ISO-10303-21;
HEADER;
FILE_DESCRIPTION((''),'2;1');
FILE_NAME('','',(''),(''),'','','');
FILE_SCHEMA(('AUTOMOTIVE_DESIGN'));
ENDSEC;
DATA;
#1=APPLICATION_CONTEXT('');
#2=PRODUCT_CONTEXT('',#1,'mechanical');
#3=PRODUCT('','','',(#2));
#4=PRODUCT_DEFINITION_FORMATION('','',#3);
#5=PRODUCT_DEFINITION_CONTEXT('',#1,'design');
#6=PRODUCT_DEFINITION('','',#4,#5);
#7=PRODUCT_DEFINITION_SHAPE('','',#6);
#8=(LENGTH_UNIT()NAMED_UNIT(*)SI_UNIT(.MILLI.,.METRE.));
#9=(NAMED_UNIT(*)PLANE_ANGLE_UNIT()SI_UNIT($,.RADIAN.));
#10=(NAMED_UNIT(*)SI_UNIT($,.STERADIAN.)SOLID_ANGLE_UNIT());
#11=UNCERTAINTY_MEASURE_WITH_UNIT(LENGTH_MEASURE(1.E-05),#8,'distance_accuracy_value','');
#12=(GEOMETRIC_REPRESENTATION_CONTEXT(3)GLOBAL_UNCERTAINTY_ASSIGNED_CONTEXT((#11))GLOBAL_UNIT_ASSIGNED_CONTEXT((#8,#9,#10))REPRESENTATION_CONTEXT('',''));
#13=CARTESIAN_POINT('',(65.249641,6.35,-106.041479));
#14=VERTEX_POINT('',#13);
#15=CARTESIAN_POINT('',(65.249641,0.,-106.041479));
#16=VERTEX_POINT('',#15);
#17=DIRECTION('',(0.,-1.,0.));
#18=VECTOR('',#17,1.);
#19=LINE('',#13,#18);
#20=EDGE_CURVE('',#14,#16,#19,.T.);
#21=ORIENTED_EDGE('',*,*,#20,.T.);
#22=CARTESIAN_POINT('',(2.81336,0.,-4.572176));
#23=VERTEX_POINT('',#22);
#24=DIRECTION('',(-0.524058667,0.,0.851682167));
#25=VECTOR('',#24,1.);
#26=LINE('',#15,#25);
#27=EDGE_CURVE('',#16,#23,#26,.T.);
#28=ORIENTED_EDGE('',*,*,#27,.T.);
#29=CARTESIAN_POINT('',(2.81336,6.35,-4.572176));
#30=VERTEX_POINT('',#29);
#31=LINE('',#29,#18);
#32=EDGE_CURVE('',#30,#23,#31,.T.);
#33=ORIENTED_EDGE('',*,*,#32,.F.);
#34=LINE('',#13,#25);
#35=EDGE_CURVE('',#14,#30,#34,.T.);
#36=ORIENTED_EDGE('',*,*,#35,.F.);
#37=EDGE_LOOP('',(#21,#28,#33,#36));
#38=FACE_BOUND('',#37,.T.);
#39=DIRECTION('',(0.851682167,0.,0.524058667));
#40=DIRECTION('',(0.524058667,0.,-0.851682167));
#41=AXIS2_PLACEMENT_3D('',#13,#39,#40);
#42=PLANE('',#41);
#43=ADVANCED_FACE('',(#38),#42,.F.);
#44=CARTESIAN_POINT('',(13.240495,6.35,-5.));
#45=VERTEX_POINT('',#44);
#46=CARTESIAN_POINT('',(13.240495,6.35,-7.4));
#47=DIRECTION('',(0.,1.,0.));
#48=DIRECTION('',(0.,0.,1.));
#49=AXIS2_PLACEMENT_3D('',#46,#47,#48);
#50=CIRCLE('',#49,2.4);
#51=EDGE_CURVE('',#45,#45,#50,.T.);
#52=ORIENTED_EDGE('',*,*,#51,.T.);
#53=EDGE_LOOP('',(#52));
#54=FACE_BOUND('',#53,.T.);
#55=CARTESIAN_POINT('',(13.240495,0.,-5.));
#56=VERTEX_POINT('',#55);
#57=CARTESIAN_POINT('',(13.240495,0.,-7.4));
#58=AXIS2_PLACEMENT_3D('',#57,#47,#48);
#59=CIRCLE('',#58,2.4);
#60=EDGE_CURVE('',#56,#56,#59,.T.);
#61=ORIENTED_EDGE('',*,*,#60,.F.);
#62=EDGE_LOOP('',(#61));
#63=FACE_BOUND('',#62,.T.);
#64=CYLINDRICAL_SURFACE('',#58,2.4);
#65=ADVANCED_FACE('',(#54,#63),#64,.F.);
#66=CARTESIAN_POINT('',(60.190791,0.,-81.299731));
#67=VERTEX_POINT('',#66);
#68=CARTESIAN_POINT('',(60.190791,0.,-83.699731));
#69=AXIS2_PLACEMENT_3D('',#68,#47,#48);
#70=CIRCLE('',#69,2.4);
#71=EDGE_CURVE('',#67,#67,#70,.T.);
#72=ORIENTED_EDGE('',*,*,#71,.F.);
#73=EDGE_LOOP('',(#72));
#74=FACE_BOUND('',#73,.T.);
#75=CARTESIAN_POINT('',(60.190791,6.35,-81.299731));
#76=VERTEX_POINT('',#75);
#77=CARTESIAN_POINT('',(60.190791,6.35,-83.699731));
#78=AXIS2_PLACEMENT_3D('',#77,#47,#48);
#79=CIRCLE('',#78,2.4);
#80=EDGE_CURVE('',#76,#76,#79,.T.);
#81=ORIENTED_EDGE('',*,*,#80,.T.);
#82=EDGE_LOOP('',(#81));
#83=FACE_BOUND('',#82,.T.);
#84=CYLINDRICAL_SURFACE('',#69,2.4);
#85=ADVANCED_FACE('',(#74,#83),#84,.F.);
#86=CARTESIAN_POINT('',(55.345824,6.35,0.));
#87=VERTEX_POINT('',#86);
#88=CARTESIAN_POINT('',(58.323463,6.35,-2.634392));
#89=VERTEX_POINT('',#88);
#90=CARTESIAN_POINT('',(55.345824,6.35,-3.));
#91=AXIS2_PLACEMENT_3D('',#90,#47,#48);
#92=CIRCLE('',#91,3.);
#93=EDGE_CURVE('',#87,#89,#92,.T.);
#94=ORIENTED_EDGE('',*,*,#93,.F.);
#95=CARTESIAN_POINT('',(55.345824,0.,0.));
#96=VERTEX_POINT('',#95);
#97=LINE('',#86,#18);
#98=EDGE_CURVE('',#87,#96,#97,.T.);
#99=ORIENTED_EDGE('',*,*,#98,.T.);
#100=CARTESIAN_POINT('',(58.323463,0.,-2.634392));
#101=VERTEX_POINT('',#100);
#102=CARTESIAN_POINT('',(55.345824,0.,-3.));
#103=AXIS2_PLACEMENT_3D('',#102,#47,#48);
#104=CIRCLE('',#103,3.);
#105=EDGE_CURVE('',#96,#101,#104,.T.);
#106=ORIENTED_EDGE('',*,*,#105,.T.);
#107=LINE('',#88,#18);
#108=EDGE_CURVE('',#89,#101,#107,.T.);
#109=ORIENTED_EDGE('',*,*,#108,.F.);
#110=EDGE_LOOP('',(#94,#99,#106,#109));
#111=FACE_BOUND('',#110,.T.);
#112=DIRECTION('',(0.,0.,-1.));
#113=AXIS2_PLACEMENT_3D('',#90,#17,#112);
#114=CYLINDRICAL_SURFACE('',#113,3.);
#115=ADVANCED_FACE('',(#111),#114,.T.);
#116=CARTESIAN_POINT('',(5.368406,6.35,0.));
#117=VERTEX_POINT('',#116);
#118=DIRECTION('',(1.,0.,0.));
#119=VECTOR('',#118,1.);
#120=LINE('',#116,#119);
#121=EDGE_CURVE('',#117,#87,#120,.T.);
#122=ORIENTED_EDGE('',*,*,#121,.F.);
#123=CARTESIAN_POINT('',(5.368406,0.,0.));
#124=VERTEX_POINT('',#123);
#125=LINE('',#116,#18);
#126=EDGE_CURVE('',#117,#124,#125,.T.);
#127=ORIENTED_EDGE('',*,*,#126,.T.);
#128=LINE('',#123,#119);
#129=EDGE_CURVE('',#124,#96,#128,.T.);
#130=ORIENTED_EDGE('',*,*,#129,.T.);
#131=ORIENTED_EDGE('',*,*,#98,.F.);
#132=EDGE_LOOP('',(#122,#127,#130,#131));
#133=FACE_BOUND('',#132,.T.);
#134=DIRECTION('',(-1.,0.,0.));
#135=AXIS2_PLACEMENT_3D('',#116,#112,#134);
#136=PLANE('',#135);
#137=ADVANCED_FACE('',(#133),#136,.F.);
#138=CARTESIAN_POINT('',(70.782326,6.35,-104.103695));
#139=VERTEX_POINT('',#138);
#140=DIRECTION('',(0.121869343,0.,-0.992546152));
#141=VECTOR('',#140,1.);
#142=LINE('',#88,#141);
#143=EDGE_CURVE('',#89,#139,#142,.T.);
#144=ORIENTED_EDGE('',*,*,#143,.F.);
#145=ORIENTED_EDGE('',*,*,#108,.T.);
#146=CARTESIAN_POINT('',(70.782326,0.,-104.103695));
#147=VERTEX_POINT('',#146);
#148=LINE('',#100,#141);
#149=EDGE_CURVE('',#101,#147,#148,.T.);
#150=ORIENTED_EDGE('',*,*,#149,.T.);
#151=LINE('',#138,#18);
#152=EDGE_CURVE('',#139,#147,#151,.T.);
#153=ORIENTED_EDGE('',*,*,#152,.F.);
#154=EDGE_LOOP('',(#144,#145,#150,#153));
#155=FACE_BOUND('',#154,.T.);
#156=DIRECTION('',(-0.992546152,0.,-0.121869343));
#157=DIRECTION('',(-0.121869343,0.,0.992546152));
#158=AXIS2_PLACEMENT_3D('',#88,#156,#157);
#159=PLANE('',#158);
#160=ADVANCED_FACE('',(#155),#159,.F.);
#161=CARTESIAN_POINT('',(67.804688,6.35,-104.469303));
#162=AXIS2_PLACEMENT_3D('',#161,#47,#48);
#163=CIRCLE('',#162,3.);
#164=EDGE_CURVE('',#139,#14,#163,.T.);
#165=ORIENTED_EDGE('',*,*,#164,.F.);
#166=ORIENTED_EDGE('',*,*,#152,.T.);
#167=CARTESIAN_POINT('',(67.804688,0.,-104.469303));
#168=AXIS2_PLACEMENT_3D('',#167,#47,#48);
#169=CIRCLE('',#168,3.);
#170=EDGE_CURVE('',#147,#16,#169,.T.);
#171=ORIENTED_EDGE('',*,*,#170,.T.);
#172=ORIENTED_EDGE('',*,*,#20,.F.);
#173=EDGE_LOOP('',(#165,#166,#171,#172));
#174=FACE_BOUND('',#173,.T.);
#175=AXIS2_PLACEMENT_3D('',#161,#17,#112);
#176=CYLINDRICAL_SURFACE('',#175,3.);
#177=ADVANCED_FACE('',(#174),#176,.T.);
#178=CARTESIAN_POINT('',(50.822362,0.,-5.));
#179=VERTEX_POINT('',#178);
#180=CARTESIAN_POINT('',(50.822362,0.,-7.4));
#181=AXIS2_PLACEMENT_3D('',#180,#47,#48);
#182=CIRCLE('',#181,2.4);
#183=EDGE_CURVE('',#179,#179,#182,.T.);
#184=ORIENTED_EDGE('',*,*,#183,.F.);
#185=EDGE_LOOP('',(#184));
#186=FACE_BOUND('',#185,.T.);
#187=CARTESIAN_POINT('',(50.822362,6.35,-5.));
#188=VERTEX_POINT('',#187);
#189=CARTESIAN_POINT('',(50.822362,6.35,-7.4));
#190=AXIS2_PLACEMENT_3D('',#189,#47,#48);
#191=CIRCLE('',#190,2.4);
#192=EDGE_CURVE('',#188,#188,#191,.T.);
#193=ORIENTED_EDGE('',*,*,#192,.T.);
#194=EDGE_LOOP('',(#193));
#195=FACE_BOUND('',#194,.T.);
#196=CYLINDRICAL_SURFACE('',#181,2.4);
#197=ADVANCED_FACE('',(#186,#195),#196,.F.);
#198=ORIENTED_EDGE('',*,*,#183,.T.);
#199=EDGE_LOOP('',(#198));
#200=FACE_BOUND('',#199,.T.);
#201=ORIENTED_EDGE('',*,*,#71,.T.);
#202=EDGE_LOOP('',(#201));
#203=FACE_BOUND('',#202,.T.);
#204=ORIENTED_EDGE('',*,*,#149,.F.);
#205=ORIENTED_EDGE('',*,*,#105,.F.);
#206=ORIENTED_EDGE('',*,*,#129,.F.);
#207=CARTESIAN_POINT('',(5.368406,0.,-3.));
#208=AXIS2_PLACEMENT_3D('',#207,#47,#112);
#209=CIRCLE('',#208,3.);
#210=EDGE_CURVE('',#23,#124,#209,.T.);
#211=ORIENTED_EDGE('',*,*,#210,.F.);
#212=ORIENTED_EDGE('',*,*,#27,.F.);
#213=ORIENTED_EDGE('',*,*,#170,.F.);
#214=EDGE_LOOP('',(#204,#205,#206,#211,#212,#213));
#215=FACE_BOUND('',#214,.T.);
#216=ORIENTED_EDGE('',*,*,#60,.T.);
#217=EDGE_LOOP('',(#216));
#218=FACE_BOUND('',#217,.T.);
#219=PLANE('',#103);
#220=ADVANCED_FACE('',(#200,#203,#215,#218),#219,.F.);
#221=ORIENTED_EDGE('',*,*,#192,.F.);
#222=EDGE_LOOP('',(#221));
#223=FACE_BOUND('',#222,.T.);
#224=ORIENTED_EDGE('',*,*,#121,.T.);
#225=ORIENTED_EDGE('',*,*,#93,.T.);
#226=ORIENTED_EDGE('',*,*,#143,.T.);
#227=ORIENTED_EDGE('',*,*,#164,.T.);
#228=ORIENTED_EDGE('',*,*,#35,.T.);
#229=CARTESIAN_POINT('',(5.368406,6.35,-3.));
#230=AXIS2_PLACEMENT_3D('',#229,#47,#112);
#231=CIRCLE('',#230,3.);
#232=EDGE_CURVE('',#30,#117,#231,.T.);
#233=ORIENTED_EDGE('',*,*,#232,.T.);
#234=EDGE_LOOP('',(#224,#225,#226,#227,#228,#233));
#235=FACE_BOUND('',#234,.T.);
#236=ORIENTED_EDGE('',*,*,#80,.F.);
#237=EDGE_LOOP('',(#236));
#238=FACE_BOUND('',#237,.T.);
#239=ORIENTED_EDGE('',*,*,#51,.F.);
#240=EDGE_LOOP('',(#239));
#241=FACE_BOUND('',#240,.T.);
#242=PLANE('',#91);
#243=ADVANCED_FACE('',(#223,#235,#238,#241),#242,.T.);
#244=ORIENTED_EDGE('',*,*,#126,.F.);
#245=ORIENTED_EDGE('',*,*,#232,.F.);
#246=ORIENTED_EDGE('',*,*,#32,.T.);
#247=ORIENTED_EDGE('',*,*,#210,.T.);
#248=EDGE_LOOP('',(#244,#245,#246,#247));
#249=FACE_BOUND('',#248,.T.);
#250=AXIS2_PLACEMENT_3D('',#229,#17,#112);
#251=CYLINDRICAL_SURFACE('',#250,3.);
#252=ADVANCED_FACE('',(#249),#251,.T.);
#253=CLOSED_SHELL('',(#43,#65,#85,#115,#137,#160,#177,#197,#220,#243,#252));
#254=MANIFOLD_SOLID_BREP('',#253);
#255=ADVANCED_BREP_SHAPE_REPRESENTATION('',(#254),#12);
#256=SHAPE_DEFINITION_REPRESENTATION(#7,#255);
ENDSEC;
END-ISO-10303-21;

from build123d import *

# Parameters (mm, degrees)
BOSS_EXTRUDE1_DEPTH = 6.35
SKETCH2_R           = 2.4
CUT_EXTRUDE1_DEPTH  = 129.853705369


with BuildPart() as part:
    # Sketch1 → Boss-Extrude1 (new body)
    with BuildSketch(Plane(origin=(0, 0, 0), x_dir=(1, 0, 0), z_dir=(0, 1, 0))):
        with BuildLine():
            Line((5.368406408, 0), (55.345824206, 0))
            ThreePointArc((55.345824206, 0), (57.333684351, 0.753132838), (58.323462661, 2.63439197))
            Line((58.323462661, 2.63439197), (70.782326451, 104.103694773))
            ThreePointArc((70.782326451, 104.103694773), (68.796352117, 107.300663302), (65.249641496, 106.041478805))
            Line((65.249641496, 106.041478805), (2.813359907, 4.572176002))
            ThreePointArc((2.813359907, 4.572176002), (2.749577661, 1.536532885), (5.368406408, 0))
        make_face()
    extrude(amount=BOSS_EXTRUDE1_DEPTH)

    # Sketch2 → Cut-Extrude1 (cut, through all)
    with BuildSketch(Plane(origin=(0, 6.35, 0), x_dir=(1, 0, 0), z_dir=(0, 1, 0))):
        with Locations(Location((13.240494573, 7.4, 0), (0, 0, 270))):
            Circle(SKETCH2_R)
        with Locations(Location((60.1907906, 83.69973137, 0), (0, 0, 270))):
            Circle(SKETCH2_R)
        with Locations(Location((50.822361587, 7.4, 0), (0, 0, 270))):
            Circle(SKETCH2_R)
    extrude(amount=-CUT_EXTRUDE1_DEPTH, mode=Mode.SUBTRACT)


solid = part.part
